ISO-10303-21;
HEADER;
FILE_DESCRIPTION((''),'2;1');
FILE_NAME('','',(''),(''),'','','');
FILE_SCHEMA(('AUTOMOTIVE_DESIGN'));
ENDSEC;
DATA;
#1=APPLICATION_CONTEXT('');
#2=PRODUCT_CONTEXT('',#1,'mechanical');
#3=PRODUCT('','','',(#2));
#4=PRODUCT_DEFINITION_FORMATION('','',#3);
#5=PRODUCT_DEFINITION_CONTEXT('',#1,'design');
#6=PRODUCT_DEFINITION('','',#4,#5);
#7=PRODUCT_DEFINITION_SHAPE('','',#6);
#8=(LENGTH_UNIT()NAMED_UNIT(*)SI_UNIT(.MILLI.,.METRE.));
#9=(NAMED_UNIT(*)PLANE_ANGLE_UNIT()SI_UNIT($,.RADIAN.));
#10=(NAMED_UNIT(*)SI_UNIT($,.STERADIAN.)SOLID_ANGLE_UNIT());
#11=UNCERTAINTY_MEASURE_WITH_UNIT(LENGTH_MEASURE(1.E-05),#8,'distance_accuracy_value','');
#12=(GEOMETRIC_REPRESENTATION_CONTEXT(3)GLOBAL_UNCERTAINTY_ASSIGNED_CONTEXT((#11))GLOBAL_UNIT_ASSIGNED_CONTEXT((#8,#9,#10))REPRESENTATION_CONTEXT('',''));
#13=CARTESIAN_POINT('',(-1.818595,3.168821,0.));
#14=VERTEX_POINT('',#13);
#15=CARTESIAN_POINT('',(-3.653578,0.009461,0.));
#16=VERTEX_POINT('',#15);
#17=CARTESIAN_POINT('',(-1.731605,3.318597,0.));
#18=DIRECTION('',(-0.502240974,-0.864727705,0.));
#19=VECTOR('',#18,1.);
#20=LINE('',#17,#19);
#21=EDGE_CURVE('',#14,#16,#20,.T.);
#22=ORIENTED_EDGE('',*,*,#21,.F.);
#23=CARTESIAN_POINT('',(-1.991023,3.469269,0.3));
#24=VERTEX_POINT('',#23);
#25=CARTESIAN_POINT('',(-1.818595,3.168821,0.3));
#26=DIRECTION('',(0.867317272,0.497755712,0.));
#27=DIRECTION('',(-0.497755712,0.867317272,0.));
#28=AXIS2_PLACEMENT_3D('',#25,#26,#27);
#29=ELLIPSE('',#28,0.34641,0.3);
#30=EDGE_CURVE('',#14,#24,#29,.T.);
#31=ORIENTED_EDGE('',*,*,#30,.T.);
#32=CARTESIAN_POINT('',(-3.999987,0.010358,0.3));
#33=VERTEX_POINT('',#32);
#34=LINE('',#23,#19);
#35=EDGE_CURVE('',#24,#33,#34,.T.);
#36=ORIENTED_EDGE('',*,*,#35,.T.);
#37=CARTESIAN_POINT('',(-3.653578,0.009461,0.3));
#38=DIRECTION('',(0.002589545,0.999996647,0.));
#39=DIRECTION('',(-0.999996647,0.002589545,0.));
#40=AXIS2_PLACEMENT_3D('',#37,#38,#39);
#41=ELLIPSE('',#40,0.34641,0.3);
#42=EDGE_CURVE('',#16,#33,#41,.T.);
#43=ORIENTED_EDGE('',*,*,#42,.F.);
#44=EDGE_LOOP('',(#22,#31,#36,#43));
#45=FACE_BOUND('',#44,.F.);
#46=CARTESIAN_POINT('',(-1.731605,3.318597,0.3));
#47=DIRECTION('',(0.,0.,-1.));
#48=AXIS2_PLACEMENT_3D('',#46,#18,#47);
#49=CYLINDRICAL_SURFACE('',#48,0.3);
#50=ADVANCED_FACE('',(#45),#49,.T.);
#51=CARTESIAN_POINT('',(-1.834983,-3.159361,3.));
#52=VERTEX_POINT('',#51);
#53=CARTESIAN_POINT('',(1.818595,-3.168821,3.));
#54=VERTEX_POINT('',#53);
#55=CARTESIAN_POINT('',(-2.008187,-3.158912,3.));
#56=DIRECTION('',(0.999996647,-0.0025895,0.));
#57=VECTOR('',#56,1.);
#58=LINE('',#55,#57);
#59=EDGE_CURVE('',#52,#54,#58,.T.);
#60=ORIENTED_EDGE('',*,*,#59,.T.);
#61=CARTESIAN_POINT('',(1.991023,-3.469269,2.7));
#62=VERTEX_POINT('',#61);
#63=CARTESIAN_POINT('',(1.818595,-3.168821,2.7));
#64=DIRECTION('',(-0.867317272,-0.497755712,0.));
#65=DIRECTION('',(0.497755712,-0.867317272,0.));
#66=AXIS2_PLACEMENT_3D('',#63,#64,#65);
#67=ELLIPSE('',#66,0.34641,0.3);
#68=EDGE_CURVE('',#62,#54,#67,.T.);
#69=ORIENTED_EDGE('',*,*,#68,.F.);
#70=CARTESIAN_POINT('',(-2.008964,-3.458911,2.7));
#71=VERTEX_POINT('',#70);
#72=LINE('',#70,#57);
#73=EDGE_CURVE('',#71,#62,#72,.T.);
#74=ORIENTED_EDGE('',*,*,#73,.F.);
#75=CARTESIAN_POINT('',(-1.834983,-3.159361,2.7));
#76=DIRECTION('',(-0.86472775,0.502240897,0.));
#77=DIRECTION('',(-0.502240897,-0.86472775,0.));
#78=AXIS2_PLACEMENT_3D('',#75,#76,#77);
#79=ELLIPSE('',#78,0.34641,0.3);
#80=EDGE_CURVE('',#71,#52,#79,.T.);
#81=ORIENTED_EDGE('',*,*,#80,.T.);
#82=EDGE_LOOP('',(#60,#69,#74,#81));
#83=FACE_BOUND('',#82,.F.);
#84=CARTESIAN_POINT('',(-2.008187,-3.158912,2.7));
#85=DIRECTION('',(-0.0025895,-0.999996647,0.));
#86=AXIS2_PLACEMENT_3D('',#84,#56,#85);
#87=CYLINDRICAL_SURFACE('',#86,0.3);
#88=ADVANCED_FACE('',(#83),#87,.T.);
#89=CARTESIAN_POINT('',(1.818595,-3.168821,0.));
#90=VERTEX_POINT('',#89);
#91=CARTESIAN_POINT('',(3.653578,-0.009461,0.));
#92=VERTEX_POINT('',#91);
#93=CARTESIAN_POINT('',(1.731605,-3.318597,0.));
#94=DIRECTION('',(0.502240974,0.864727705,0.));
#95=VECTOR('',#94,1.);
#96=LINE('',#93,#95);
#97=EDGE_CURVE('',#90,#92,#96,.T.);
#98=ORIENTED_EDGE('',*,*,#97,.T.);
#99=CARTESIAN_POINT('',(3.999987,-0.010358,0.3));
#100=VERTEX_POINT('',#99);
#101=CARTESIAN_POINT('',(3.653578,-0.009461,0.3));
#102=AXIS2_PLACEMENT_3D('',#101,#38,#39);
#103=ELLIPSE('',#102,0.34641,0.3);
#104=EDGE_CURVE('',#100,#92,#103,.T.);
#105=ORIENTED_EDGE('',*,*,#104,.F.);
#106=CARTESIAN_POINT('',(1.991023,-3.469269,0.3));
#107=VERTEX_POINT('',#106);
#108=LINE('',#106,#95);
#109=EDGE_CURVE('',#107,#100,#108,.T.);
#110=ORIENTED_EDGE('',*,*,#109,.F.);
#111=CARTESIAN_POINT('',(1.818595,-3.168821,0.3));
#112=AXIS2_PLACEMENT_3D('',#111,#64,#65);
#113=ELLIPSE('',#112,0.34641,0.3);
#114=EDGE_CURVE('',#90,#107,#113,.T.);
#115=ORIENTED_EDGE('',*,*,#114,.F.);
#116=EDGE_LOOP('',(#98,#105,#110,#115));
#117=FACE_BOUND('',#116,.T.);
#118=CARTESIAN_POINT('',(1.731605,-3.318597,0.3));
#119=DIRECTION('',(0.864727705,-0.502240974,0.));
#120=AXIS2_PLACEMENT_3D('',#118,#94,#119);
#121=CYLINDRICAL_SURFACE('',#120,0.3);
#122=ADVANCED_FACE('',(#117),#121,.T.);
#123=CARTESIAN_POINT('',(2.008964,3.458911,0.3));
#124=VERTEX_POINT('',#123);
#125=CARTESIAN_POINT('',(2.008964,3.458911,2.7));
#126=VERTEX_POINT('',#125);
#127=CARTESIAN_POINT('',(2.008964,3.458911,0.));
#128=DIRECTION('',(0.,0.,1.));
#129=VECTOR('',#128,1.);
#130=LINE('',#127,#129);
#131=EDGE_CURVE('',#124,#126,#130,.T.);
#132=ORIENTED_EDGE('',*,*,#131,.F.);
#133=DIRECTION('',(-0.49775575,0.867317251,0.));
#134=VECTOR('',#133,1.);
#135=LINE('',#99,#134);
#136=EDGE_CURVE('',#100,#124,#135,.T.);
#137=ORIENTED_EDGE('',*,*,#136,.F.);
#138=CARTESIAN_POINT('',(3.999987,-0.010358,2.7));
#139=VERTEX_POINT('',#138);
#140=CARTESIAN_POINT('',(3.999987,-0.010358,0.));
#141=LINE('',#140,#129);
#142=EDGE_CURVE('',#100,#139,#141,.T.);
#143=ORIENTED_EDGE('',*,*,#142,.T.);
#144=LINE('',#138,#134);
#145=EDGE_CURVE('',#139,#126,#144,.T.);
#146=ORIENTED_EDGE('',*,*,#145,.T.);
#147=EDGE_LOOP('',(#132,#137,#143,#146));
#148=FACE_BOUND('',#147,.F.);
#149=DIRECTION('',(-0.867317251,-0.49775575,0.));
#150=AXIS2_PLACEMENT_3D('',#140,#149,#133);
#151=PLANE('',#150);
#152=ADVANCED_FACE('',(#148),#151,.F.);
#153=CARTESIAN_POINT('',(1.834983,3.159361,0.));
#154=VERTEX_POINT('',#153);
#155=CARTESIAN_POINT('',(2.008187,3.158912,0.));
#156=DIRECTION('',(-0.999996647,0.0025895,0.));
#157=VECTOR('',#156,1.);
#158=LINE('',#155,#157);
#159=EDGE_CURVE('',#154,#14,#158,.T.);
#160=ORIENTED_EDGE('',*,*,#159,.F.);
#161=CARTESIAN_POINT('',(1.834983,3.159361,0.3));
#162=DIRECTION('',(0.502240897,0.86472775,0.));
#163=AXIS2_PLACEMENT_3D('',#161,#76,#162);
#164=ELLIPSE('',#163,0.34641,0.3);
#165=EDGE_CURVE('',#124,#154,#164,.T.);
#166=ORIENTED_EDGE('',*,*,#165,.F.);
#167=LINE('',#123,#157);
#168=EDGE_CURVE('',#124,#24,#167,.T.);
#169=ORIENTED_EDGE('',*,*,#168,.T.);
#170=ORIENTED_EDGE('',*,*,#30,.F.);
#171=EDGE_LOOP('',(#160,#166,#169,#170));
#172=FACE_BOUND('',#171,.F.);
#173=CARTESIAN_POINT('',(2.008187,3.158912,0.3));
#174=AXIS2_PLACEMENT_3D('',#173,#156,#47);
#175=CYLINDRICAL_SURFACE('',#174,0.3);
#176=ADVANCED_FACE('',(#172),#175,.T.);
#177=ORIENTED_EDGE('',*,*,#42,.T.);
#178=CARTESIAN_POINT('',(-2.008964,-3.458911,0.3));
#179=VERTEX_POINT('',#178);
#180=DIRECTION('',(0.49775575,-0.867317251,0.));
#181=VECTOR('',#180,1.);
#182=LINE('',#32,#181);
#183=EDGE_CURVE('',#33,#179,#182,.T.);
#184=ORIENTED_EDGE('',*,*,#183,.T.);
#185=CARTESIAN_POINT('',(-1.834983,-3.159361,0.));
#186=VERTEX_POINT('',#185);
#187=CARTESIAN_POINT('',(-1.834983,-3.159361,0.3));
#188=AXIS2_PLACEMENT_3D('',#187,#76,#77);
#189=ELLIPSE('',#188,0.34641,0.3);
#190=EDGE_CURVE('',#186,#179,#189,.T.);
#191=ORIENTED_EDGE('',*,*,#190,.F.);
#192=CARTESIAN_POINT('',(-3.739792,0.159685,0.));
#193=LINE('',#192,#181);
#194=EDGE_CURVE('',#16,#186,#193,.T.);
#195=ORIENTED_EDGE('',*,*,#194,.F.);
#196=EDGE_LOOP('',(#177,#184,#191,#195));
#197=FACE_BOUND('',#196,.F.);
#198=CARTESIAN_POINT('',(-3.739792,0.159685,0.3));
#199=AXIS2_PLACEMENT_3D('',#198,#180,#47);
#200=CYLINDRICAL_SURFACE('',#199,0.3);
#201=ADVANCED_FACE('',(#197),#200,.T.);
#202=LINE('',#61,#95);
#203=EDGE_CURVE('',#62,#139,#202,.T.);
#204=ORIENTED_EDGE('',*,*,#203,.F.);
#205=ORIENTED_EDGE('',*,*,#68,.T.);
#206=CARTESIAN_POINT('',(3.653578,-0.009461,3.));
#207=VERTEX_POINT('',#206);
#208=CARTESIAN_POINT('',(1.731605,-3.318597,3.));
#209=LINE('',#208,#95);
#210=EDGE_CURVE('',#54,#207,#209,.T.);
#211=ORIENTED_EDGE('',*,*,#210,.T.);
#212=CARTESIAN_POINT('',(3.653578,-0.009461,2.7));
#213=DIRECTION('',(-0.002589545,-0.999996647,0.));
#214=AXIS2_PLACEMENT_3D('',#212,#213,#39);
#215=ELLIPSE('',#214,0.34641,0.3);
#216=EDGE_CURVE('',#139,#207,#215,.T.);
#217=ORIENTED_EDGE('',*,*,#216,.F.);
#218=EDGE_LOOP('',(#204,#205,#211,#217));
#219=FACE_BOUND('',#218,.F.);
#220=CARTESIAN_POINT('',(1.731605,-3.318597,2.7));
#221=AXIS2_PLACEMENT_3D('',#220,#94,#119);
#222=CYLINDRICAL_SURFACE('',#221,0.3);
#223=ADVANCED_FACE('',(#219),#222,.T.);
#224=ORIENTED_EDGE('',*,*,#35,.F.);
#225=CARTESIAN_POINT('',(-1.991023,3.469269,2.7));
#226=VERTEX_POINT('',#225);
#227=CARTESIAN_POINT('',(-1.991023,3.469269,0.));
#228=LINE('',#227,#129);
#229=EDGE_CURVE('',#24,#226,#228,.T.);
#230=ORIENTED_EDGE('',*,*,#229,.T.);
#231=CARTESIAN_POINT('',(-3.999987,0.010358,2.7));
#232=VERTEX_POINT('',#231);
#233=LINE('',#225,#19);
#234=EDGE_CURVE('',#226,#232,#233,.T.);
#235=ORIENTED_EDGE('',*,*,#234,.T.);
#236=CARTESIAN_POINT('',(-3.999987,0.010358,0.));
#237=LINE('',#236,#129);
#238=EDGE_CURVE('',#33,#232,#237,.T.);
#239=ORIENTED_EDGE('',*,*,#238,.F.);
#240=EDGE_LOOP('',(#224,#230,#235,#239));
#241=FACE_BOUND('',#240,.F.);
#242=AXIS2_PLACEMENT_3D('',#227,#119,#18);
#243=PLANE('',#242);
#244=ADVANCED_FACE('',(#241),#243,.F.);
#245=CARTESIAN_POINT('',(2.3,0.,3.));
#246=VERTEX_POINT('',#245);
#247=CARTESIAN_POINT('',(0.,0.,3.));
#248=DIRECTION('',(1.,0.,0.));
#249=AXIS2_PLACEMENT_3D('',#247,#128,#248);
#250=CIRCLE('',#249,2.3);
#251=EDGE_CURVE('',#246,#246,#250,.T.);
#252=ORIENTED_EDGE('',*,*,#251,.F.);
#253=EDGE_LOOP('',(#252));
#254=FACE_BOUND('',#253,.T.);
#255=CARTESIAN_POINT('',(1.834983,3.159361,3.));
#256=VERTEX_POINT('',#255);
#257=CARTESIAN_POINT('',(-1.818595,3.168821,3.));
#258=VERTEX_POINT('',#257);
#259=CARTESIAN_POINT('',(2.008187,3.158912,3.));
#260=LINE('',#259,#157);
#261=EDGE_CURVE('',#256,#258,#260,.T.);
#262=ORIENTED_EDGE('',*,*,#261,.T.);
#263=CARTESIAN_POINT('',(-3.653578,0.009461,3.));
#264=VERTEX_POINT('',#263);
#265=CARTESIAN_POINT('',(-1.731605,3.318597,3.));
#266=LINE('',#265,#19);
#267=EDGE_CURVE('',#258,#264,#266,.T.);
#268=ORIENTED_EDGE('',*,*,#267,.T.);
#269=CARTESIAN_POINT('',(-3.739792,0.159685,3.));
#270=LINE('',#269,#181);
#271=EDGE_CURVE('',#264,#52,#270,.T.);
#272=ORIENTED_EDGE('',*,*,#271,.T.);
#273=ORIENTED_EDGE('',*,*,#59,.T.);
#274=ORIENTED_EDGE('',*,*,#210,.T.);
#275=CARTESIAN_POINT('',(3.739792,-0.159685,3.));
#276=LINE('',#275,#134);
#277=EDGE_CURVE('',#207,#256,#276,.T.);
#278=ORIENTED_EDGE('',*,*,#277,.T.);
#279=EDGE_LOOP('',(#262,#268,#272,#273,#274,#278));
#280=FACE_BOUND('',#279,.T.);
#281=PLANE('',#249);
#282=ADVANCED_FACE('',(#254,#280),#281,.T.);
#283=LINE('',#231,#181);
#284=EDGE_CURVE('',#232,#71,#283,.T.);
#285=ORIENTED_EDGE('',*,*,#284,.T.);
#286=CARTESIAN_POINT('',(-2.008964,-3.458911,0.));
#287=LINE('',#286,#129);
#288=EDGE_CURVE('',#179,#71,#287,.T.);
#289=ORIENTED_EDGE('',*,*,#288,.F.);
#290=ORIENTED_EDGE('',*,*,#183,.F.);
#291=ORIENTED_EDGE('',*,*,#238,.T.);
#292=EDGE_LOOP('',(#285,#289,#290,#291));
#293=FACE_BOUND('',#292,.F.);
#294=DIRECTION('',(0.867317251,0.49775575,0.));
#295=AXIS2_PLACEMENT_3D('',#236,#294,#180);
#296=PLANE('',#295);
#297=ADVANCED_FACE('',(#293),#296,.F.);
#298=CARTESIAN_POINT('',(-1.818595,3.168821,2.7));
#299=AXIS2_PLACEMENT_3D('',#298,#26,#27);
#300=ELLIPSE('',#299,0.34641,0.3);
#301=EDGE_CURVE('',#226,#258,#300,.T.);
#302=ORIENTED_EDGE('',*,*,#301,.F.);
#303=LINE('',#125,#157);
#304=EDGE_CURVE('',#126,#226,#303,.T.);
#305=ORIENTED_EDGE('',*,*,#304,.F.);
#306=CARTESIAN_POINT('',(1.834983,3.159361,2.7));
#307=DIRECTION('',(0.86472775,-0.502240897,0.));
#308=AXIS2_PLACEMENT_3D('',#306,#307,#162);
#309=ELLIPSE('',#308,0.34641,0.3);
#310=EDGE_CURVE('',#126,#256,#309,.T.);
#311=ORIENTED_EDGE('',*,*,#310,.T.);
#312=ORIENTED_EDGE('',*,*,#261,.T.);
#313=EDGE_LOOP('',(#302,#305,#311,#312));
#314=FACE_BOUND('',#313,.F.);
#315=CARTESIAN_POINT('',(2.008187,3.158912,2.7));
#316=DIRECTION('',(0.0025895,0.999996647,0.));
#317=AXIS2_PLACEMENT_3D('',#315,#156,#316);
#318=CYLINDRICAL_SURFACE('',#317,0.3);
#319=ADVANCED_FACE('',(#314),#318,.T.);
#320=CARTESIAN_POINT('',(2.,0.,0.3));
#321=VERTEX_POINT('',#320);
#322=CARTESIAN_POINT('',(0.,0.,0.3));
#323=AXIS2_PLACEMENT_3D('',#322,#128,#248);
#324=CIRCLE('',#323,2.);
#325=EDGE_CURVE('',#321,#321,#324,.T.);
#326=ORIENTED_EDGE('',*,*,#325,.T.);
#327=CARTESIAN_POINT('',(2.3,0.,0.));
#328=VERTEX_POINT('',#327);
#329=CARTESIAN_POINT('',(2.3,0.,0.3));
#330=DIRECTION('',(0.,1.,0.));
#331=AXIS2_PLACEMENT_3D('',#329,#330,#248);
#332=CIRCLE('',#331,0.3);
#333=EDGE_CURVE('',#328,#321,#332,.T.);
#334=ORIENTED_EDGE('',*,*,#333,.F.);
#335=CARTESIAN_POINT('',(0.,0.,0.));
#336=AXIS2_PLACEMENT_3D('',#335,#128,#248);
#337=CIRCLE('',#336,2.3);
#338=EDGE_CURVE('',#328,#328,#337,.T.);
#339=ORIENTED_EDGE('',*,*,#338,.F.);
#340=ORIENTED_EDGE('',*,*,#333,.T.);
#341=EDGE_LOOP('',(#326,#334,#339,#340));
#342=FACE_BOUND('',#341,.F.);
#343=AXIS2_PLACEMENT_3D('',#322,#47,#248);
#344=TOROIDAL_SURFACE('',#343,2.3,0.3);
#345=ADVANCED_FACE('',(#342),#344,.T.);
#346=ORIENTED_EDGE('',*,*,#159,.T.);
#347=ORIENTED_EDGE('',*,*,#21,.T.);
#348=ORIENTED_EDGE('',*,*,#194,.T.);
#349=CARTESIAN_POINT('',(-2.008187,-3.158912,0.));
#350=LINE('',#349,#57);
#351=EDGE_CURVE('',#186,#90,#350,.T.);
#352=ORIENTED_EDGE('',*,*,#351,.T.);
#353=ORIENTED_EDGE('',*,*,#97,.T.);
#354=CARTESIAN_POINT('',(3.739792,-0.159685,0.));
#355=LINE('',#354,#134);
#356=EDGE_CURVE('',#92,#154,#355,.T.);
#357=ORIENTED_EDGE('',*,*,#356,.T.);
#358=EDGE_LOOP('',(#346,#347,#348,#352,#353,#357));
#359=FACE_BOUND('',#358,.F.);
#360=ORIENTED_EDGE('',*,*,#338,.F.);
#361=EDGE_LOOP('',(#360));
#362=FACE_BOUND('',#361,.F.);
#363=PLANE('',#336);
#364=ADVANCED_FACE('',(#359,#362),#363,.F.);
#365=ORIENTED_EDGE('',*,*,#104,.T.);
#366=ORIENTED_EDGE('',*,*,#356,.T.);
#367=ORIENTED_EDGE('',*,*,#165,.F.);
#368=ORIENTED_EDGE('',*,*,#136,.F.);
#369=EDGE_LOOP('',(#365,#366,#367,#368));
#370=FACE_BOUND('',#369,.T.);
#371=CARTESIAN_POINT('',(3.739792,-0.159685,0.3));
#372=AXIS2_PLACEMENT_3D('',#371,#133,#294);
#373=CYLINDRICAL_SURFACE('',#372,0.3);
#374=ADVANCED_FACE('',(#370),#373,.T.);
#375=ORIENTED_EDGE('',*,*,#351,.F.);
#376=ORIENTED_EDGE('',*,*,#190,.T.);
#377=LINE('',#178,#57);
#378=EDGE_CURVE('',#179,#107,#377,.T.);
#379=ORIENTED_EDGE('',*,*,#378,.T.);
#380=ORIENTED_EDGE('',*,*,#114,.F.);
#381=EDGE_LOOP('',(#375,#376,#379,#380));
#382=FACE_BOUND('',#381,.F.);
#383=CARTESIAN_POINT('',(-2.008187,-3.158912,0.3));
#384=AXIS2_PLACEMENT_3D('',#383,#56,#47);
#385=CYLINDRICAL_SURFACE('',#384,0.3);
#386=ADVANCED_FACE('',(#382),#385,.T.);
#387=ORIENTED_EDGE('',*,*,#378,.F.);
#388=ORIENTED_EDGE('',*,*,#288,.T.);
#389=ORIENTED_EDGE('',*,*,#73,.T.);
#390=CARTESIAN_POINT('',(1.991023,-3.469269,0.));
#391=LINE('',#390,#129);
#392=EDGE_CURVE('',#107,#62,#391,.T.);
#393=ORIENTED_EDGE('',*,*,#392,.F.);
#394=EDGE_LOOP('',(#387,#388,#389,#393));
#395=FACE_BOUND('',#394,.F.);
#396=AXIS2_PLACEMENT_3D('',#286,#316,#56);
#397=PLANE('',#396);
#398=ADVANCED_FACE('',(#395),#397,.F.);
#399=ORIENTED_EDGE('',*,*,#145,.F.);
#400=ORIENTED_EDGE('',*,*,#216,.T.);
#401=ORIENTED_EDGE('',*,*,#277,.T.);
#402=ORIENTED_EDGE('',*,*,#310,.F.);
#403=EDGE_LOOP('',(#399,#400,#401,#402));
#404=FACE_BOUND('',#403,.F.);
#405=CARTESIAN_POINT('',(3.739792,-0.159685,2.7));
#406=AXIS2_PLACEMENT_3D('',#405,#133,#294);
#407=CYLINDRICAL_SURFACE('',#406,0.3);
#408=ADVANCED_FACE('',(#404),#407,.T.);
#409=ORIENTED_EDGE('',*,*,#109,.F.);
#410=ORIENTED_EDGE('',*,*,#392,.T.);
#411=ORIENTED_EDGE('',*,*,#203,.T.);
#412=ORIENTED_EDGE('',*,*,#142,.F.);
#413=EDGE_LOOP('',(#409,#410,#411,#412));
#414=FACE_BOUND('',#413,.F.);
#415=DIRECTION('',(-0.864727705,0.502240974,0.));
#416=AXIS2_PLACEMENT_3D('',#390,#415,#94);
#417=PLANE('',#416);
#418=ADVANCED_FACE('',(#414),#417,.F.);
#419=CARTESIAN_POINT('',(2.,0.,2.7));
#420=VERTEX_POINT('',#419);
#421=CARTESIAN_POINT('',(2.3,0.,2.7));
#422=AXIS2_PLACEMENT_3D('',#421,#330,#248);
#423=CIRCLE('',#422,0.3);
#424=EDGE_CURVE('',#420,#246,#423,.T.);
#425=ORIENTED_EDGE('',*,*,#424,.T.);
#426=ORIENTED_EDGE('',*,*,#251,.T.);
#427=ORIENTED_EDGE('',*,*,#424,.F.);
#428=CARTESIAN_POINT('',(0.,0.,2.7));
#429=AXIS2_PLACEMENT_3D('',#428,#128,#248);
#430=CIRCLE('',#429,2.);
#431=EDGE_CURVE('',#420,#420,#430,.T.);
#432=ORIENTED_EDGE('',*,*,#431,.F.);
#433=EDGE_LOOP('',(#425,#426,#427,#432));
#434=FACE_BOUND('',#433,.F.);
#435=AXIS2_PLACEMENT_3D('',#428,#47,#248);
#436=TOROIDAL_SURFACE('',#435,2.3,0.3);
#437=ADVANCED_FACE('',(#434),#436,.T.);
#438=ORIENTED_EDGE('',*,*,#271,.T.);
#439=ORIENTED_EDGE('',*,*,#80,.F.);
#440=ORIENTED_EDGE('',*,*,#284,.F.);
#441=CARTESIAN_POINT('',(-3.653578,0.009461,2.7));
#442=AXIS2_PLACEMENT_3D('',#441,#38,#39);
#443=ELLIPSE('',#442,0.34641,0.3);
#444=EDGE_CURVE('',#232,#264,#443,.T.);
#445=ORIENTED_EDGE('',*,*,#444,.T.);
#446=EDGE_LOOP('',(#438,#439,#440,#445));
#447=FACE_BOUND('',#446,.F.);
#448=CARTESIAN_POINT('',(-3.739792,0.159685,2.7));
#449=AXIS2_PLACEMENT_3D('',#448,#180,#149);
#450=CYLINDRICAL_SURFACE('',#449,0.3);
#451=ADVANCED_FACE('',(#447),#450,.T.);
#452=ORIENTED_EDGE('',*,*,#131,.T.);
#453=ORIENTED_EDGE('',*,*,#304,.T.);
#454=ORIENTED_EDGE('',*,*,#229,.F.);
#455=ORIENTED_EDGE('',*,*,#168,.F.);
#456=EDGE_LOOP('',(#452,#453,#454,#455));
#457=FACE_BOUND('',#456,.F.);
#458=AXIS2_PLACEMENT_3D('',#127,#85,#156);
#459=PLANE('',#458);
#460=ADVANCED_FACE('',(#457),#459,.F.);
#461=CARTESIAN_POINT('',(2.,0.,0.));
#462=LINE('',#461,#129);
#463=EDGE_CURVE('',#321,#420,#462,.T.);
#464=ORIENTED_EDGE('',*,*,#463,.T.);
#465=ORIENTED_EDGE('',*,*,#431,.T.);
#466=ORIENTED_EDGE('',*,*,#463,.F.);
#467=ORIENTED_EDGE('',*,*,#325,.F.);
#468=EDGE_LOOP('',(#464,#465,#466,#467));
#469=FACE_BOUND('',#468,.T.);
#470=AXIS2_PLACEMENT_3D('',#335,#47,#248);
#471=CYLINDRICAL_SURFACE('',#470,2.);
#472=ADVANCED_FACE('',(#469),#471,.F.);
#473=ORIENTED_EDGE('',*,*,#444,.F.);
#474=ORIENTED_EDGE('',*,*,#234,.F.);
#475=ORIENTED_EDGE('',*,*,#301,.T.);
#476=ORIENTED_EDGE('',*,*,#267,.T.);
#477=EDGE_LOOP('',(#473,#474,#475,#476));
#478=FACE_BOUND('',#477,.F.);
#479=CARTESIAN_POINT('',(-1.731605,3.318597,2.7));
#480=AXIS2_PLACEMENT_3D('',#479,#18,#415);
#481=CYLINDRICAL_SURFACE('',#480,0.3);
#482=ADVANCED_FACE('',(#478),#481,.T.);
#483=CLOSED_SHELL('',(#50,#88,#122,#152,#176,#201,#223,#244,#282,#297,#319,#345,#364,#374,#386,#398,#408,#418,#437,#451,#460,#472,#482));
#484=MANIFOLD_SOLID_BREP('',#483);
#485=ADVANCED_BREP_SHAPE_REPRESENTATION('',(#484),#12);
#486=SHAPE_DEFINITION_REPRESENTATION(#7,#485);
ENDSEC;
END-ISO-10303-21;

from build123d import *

# Parameters (mm, degrees)
F0_R     = 2
F1_DEPTH = 3
F2_R     = 0.3
F3_R     = 0.3


with BuildPart() as f1:
    # F0 (on Top) → F1 (new body)
    with BuildSketch(Plane.XY):
        Polygon((3.999987, -0.010358), (2.008964, 3.458911), (-1.991023, 3.469269), (-3.999987, 0.010358), (-2.008964, -3.458911), (1.991023, -3.469269), align=None)
        Circle(F0_R, mode=Mode.SUBTRACT)
    extrude(amount=F1_DEPTH)

    # F2
    f2_edges = [f1.edges().sort_by_distance(p)[0] for p in [
        (3.004475, 1.724276, 3),
        (0.00897, 3.46409, 3),
        (-2.995505, 1.739814, 3),
        (-3.004475, -1.724276, 3),
        (-0.00897, -3.46409, 3),
        (2.995505, -1.739814, 3),
        (-2, 0, 3),
    ]]
    fillet(f2_edges, radius=F2_R)

    # F3
    f3_edges = [f1.edges().sort_by_distance(p)[0] for p in [
        (3.004475, 1.724276, 0),
        (0.00897, 3.46409, 0),
        (-2.995505, 1.739814, 0),
        (-3.004475, -1.724276, 0),
        (-0.00897, -3.46409, 0),
        (2.995505, -1.739814, 0),
        (-2, 0, 0),
    ]]
    fillet(f3_edges, radius=F3_R)


solid = f1.part
